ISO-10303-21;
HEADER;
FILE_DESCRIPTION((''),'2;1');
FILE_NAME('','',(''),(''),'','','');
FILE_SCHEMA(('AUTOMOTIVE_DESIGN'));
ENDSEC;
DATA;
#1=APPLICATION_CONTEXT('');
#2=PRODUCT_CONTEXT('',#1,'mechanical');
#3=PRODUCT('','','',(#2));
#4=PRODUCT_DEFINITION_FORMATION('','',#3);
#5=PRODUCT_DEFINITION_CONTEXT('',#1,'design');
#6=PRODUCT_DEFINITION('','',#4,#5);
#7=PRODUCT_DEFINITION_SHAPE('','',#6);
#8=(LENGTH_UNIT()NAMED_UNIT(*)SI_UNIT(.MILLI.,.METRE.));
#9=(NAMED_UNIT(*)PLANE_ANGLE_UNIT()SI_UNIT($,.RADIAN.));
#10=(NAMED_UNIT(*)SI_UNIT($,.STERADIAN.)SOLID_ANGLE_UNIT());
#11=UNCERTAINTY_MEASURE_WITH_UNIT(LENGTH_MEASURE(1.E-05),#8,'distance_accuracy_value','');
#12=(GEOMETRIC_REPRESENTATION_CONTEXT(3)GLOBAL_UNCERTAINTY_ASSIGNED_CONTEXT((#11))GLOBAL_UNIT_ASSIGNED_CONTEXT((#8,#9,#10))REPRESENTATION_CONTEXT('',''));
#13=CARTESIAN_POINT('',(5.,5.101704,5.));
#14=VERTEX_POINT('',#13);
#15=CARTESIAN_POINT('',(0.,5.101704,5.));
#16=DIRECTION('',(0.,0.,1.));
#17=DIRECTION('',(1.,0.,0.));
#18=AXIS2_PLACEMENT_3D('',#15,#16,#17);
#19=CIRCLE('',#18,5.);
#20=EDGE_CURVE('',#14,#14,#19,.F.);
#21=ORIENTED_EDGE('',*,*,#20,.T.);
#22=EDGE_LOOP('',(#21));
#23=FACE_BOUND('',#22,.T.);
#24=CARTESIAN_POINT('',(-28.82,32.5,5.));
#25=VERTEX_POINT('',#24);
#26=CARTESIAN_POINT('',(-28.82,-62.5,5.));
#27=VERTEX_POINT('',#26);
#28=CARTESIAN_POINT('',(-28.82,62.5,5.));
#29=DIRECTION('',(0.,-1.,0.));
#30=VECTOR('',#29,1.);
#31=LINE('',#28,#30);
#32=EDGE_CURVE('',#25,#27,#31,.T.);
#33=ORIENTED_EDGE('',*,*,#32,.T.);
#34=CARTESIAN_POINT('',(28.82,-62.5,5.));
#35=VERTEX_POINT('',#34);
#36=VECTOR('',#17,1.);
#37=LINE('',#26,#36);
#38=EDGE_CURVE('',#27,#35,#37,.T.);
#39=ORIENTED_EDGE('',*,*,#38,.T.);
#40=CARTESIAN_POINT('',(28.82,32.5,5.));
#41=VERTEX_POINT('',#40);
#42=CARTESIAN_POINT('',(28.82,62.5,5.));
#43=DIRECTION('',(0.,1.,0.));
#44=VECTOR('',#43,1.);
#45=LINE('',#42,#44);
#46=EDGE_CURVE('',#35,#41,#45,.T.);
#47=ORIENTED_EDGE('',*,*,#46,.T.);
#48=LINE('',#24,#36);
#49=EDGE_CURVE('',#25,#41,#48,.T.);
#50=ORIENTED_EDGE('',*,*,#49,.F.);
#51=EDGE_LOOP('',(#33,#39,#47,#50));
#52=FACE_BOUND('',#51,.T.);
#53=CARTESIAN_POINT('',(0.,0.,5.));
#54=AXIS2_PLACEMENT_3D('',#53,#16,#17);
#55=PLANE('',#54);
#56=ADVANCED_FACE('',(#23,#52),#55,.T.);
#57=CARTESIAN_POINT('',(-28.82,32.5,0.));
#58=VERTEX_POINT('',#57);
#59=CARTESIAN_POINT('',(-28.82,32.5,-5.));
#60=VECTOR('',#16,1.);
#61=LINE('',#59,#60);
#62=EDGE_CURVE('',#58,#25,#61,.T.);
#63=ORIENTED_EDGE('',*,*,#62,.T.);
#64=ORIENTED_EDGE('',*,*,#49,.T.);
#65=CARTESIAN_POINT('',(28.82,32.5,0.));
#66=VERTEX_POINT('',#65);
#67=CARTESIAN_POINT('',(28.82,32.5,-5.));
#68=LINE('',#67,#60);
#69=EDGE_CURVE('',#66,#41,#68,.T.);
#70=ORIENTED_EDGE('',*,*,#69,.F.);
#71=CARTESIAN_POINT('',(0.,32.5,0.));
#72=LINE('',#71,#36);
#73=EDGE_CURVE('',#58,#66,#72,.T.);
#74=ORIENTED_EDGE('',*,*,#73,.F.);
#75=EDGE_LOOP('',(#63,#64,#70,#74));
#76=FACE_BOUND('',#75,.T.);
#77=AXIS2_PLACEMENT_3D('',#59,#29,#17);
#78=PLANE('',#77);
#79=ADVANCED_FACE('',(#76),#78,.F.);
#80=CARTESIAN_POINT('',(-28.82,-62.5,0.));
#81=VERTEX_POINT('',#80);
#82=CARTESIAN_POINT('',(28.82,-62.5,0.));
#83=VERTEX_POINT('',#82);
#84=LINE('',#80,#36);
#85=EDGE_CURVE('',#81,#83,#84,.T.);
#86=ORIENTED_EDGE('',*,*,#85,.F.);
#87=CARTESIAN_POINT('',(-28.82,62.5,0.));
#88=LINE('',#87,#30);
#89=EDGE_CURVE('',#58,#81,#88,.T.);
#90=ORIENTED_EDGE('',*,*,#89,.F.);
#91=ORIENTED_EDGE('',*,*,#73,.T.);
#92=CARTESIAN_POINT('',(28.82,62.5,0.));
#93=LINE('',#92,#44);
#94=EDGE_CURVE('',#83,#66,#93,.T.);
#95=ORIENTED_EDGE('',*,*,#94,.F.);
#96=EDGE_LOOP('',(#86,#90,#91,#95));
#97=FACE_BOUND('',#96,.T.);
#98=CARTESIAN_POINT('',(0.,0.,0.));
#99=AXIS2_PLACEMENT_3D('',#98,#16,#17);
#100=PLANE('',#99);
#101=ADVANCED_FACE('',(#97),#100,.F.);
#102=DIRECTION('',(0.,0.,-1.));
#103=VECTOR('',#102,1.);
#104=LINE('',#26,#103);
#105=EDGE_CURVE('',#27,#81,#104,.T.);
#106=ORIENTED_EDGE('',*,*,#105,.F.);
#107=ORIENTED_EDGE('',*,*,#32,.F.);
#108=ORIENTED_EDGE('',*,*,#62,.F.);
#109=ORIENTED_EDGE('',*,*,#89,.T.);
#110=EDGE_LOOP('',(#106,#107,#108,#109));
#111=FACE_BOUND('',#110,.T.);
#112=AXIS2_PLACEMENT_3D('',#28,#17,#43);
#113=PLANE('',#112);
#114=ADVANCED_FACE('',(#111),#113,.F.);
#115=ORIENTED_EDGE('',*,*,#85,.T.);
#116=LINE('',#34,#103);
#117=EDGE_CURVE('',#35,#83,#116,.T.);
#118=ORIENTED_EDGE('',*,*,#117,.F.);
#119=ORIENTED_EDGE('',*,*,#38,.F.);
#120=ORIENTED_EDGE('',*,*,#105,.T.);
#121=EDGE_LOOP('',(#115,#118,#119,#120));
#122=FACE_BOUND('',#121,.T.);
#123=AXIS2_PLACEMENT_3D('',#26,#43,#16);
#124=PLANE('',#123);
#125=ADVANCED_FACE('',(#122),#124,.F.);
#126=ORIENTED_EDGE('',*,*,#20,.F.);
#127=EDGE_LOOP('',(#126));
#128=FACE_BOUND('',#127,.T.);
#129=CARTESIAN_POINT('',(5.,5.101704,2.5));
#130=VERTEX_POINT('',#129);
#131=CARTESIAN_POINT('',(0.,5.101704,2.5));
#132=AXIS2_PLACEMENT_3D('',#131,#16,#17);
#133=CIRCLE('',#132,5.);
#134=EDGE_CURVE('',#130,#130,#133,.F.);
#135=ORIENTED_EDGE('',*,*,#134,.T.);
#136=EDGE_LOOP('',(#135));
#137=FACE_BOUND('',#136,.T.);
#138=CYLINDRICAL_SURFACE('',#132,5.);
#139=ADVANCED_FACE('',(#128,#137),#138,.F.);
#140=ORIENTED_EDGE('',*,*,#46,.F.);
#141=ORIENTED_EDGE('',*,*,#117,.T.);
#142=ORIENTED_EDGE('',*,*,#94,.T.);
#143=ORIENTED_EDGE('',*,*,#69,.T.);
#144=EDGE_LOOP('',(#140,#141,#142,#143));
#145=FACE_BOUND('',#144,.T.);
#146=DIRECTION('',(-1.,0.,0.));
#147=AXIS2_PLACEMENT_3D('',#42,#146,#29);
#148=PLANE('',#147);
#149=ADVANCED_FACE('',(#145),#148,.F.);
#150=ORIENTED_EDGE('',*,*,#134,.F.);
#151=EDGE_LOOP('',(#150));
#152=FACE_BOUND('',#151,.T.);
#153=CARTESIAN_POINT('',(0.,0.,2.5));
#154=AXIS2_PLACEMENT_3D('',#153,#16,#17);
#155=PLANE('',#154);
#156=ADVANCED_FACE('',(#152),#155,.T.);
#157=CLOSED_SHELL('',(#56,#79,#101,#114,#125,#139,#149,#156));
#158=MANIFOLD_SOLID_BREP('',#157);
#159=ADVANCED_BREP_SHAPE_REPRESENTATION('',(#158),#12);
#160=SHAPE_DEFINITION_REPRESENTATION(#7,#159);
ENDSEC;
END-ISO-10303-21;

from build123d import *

# Parameters (mm, degrees)
SKETCH_1_W          = 57.64
SKETCH_1_H          = 125
EXTRUDE_1_DEPTH     = 5
CUT_EXTRUDE_1_DEPTH = 2.5
SKETCH_3_W          = 57.64
SKETCH_3_H          = 30
CUT_EXTRUDE_2_DEPTH = 10


with BuildPart() as part:
    # 스케치1 → 보스-돌출1 (new body)
    with BuildSketch(Plane.XY):
        Rectangle(SKETCH_1_W, SKETCH_1_H)
    extrude(amount=EXTRUDE_1_DEPTH)

    # 스케치2 → 컷-돌출1 (cut)
    with BuildSketch(Plane.XY.offset(5)):
        with BuildLine():
            ThreePointArc((-5, 5.10170356), (0, 10.10170356), (5, 5.10170356))
            ThreePointArc((5, 5.10170356), (0, 0.10170356), (-5, 5.10170356))
        make_face()
    extrude(amount=-CUT_EXTRUDE_1_DEPTH, mode=Mode.SUBTRACT)

    # 스케치3 → 컷-돌출2 (cut)
    with BuildSketch(Plane.XY.offset(5)):
        with Locations((0, 47.5)):
            Rectangle(SKETCH_3_W, SKETCH_3_H)
    extrude(amount=-CUT_EXTRUDE_2_DEPTH, mode=Mode.SUBTRACT)


solid = part.part
